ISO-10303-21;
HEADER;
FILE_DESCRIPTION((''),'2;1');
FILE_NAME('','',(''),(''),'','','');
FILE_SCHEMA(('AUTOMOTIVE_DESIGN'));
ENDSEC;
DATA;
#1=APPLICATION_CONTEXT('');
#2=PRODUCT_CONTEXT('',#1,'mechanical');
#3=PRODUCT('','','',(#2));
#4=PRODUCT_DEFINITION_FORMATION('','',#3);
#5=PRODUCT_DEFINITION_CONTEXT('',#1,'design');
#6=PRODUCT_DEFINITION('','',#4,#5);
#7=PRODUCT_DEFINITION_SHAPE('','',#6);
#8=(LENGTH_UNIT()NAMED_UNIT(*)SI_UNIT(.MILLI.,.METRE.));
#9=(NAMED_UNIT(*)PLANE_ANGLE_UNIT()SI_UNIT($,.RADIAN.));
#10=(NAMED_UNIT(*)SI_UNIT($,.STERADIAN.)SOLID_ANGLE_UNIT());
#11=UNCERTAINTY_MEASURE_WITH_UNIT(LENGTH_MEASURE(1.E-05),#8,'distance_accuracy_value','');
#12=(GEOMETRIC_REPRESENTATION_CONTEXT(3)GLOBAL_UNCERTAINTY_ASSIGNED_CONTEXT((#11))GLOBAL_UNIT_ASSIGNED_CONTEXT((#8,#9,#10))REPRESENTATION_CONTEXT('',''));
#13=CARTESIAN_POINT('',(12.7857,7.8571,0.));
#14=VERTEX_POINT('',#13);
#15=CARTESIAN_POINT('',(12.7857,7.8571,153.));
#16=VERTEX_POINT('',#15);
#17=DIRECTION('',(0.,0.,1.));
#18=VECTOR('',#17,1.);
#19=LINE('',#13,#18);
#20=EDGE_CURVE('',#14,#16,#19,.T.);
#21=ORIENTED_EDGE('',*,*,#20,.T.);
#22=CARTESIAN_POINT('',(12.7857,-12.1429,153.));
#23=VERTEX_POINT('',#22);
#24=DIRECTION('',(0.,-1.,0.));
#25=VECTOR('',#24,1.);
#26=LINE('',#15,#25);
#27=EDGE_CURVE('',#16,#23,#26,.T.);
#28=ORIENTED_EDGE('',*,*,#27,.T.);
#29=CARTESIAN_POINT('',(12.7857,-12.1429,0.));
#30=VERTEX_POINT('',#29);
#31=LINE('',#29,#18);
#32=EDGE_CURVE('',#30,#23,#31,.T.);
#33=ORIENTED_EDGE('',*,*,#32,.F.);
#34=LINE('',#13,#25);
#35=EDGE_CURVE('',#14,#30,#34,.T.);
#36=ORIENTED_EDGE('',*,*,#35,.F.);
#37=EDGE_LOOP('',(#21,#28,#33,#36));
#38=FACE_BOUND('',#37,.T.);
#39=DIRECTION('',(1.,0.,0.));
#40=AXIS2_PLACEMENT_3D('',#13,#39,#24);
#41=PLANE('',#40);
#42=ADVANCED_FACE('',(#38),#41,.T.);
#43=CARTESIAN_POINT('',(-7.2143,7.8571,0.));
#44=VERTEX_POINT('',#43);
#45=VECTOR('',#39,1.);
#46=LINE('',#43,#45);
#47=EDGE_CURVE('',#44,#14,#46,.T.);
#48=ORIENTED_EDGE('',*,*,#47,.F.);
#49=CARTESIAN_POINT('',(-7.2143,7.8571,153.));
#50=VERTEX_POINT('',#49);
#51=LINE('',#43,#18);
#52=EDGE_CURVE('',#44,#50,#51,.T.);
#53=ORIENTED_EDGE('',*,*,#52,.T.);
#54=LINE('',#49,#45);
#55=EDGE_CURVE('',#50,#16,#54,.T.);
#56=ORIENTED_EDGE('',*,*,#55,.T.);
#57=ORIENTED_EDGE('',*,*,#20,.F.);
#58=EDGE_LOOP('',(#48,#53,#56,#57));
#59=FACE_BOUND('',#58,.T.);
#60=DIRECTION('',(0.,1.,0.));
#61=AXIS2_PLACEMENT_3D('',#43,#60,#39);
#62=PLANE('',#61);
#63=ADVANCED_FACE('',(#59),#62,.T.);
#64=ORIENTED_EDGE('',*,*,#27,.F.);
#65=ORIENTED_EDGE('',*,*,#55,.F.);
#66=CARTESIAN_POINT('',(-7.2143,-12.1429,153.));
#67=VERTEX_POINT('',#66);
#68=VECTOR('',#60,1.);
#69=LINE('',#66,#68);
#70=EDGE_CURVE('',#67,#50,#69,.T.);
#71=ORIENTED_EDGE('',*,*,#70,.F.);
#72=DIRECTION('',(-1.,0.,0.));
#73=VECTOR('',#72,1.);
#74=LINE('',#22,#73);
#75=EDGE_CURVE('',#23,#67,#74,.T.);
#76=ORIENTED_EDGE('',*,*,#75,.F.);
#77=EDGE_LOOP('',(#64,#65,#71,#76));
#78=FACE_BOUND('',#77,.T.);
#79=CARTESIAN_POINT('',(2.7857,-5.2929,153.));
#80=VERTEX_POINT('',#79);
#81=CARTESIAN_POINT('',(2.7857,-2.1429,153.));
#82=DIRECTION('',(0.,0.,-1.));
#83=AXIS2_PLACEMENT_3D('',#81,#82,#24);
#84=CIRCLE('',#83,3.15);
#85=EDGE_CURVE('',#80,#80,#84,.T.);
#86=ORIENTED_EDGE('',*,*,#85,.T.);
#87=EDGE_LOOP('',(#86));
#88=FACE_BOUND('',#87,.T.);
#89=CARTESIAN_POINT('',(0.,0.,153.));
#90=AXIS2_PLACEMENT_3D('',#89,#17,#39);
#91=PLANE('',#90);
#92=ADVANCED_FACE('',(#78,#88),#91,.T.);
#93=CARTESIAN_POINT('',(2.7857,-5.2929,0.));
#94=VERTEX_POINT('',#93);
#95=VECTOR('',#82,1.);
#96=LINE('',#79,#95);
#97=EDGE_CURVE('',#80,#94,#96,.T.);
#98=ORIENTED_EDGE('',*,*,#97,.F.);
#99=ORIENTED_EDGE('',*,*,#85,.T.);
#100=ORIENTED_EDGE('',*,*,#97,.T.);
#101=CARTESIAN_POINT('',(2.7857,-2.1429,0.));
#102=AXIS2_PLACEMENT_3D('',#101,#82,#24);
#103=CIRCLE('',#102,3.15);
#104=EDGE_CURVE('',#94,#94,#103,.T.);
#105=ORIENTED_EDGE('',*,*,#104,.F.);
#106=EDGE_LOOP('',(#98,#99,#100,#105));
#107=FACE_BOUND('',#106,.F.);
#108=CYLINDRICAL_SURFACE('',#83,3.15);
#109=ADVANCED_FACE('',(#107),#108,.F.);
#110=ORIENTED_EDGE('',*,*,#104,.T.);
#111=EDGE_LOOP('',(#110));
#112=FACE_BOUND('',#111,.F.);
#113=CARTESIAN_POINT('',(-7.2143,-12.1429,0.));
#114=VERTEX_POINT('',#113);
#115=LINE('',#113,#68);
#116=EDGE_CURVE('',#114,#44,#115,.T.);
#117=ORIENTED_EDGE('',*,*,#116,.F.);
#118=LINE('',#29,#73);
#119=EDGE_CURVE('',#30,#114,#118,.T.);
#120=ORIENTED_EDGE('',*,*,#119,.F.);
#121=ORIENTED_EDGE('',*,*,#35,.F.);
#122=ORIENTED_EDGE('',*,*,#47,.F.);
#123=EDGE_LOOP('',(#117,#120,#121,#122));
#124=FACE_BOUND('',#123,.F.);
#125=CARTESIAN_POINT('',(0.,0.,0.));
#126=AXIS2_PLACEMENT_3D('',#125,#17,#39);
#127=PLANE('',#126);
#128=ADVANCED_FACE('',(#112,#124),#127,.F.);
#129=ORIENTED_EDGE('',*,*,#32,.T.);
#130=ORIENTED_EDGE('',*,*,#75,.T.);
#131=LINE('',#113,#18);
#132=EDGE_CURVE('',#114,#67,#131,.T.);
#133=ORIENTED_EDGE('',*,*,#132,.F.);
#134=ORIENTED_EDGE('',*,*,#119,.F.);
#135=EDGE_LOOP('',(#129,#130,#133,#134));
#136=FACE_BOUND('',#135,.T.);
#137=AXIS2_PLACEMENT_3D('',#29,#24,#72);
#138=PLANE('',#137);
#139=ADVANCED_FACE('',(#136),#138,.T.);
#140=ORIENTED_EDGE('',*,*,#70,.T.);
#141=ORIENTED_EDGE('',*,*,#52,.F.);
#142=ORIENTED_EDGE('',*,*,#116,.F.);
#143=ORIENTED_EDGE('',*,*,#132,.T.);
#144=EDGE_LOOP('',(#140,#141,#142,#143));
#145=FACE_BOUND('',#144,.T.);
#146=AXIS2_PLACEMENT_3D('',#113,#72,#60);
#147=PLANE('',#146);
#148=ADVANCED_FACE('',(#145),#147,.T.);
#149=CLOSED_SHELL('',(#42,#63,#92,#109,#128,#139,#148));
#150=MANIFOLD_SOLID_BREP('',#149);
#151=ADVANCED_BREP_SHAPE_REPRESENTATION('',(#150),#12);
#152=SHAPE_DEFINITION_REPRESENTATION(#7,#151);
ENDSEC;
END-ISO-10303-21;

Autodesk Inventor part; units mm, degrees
ref_plane "YZ Plane" through (0, 0, 0) normal (1, 0, 0) x (0, 1, 0)
ref_plane "XZ Plane" through (0, 0, 0) normal (0, 1, 0) x (-1, 0, 0)
ref_plane "XY Plane" through (0, 0, 0) normal (0, 0, 1) x (1, 0, 0)
sketch "Sketch1" plane through (0, 0, 0) normal (0, 0, 1) x (1, 0, 0)
  line L0 (-7.2143, 7.8571) -> (12.7857, 7.8571)
  line L1 (12.7857, 7.8571) -> (12.7857, -12.1429)
  line L2 (12.7857, -12.1429) -> (-7.2143, -12.1429)
  line L3 (-7.2143, -12.1429) -> (-7.2143, 7.8571)
  point P0 (0, 0)
  dimension "d0" = 20
  dimension "d1" = 20
extrude "Extrusion1" add sketch "Sketch1" along normal blind 153
sketch "Sketch2" plane through (0, 0, 153) normal (0, 0, 1) x (1, 0, 0)
  line L0 (12.7857, 7.8571) -> (-7.2143, 7.8571) projected
  line L1 (12.7857, -12.1429) -> (12.7857, 7.8571) projected
  point P0 (0, 0)
  point P1 (2.7857, -2.1429)
  dimension "d4" = 10
  dimension "d5" = 10
hole "Hole1" at (2.7857, -2.1429, 153) direction (0, 0, -1) diameter 6.3 end through all
properties part number "Frame_member"
